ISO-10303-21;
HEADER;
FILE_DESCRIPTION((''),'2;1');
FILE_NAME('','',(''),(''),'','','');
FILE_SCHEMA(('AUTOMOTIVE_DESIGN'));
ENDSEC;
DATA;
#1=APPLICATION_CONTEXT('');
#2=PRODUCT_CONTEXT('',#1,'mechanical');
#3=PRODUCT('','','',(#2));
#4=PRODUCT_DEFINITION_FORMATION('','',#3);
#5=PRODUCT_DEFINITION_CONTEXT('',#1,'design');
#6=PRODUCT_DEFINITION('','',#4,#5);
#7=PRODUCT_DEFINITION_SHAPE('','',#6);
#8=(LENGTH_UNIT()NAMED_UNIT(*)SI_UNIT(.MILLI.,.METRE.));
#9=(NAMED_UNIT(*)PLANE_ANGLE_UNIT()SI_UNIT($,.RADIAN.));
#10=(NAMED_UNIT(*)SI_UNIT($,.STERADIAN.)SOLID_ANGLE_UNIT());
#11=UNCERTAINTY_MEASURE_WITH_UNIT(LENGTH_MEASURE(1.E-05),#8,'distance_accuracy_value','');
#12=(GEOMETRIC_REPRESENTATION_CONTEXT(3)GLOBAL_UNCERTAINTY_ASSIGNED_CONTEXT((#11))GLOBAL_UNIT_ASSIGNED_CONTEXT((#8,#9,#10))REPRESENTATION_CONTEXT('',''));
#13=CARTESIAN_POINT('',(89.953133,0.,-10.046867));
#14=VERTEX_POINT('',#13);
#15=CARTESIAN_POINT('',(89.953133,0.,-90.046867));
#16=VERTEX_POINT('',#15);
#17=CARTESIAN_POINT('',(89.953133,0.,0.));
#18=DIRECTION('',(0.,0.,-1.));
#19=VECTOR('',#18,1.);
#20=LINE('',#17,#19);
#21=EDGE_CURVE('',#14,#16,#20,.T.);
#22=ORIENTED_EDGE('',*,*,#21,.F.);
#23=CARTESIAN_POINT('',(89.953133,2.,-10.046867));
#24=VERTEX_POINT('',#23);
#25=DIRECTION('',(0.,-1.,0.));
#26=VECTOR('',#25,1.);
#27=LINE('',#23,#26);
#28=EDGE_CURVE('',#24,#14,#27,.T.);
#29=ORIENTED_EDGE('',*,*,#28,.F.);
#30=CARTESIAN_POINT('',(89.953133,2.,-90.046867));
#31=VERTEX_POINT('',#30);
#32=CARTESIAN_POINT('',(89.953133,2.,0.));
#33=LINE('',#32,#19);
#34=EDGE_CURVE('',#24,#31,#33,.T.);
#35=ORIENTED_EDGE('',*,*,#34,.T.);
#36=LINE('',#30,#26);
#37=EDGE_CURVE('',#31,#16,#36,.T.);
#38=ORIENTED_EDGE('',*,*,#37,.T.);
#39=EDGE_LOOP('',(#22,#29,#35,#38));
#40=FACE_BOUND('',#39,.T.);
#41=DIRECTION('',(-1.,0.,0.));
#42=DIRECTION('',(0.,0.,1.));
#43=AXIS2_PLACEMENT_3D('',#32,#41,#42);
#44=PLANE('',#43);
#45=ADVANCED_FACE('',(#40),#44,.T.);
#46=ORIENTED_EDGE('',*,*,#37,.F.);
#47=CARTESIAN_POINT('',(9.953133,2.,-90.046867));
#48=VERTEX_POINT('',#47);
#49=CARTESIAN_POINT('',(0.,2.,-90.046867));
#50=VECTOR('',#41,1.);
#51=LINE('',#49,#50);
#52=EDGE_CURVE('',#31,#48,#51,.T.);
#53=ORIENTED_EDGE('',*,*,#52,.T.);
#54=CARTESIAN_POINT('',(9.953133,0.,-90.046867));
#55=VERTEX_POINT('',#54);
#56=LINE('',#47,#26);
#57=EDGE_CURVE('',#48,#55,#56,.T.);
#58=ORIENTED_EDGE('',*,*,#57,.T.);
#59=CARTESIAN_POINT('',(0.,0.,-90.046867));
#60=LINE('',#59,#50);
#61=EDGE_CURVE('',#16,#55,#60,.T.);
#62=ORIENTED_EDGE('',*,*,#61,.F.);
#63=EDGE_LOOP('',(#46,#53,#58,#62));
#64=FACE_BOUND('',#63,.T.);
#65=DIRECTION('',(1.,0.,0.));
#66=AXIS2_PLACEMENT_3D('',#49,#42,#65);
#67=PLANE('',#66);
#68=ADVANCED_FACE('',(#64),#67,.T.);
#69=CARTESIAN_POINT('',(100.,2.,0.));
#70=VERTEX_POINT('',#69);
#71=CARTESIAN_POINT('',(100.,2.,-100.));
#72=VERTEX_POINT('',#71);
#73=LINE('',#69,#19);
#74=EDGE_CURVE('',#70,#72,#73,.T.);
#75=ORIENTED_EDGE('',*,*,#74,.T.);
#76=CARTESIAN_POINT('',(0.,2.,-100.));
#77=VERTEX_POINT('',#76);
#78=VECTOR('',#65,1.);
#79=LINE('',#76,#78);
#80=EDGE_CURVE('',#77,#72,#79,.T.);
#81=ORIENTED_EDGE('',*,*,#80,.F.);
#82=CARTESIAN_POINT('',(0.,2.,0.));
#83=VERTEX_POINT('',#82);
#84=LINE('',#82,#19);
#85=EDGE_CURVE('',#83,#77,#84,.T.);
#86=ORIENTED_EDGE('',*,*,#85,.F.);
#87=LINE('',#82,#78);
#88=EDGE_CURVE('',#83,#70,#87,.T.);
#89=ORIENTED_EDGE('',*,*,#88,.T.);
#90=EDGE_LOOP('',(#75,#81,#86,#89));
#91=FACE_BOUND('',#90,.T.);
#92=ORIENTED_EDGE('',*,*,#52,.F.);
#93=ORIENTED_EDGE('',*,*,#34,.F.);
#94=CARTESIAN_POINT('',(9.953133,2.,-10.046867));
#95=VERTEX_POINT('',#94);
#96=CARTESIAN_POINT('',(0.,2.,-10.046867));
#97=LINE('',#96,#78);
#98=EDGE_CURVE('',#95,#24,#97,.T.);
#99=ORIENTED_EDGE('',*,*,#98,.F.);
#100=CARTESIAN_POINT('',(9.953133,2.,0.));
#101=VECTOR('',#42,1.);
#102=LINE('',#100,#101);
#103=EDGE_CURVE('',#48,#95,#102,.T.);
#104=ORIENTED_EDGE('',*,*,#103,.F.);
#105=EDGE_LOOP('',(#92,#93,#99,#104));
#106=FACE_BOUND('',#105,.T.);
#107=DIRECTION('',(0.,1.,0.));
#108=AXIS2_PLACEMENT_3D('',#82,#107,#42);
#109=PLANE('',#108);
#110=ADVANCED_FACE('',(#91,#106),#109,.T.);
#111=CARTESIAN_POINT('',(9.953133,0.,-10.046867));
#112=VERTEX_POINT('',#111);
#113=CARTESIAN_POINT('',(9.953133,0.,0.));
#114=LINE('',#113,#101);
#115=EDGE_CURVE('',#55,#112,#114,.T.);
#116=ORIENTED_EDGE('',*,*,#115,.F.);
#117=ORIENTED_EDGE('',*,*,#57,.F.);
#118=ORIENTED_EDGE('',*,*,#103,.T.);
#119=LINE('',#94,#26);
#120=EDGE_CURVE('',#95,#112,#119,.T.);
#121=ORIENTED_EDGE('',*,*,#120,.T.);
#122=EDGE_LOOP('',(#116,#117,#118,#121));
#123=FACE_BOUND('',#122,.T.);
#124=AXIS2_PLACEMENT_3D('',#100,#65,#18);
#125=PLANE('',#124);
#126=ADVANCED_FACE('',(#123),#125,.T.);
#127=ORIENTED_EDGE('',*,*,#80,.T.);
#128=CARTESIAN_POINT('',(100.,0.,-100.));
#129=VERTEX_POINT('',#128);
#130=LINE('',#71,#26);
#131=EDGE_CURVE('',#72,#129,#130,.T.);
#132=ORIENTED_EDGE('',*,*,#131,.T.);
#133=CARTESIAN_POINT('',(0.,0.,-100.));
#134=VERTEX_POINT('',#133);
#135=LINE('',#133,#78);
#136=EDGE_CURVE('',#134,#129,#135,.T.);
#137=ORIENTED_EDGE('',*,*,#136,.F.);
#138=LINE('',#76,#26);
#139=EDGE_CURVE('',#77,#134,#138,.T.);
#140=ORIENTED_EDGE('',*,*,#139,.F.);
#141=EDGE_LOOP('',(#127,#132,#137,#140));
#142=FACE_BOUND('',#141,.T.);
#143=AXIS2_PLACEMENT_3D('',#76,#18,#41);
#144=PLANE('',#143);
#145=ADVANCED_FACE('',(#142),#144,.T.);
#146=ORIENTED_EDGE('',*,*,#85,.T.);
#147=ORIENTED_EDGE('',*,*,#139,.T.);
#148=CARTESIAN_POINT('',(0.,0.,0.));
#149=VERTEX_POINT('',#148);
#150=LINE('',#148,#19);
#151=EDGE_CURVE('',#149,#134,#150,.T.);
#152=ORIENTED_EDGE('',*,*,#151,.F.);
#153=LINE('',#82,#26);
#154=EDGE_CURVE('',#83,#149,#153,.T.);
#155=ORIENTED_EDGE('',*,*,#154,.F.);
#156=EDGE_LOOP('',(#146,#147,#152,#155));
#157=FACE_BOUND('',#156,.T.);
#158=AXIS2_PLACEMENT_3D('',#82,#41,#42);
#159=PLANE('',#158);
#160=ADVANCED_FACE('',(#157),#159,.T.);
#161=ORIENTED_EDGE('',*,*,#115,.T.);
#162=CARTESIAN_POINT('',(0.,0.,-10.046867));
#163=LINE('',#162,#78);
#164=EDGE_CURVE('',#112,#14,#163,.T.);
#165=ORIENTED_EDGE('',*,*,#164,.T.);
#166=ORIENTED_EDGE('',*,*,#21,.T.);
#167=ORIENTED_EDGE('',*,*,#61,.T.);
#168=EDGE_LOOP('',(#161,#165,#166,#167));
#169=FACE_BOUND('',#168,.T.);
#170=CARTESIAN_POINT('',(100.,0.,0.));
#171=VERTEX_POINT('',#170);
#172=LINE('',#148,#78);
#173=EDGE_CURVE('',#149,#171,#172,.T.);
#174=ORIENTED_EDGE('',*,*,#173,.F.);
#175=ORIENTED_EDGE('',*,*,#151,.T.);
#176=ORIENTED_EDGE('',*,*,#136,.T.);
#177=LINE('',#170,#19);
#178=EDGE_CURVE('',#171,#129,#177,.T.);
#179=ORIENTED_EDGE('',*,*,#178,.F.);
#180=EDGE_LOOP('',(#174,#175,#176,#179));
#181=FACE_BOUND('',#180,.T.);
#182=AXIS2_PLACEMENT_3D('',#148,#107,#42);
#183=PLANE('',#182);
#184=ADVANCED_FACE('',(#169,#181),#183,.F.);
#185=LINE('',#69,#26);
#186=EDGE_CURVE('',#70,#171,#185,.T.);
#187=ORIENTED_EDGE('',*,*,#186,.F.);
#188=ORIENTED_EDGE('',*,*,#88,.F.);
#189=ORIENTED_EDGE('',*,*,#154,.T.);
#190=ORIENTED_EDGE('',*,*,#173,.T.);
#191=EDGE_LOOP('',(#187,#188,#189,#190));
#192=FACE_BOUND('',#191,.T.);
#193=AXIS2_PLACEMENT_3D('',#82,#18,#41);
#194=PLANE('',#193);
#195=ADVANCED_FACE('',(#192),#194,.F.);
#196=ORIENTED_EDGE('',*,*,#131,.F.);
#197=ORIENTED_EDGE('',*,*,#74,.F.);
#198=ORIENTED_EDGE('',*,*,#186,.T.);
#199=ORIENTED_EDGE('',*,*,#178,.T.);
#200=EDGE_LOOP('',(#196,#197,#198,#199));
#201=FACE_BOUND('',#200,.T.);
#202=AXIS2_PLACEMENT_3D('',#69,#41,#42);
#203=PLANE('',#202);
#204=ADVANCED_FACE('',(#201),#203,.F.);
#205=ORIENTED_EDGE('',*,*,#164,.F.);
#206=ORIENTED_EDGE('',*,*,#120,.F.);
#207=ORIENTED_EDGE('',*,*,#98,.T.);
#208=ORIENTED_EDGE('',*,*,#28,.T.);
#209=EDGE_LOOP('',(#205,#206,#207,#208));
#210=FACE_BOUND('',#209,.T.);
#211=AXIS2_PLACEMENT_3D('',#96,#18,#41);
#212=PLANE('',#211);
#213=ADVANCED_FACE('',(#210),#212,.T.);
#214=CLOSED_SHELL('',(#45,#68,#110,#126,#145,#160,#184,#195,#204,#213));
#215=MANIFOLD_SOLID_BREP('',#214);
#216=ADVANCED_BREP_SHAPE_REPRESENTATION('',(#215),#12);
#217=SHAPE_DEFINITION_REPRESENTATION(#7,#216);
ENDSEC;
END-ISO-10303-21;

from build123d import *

# Parameters (mm, degrees)
SKETCH1_W           = 100
SKETCH1_H           = 100
SKETCH1_W_2         = 80
SKETCH1_H_2         = 80
BOSS_EXTRUDE1_DEPTH = 2


with BuildPart() as part:
    # Sketch1 → Boss-Extrude1 (new body)
    with BuildSketch(Plane(origin=(0, 0, 0), x_dir=(1, 0, 0), z_dir=(0, 1, 0))):
        with Locations((50, 50)):
            Rectangle(SKETCH1_W, SKETCH1_H)
        with Locations((49.953133131, 50.046866869)):
            Rectangle(SKETCH1_W_2, SKETCH1_H_2, mode=Mode.SUBTRACT)
    extrude(amount=BOSS_EXTRUDE1_DEPTH)


solid = part.part
